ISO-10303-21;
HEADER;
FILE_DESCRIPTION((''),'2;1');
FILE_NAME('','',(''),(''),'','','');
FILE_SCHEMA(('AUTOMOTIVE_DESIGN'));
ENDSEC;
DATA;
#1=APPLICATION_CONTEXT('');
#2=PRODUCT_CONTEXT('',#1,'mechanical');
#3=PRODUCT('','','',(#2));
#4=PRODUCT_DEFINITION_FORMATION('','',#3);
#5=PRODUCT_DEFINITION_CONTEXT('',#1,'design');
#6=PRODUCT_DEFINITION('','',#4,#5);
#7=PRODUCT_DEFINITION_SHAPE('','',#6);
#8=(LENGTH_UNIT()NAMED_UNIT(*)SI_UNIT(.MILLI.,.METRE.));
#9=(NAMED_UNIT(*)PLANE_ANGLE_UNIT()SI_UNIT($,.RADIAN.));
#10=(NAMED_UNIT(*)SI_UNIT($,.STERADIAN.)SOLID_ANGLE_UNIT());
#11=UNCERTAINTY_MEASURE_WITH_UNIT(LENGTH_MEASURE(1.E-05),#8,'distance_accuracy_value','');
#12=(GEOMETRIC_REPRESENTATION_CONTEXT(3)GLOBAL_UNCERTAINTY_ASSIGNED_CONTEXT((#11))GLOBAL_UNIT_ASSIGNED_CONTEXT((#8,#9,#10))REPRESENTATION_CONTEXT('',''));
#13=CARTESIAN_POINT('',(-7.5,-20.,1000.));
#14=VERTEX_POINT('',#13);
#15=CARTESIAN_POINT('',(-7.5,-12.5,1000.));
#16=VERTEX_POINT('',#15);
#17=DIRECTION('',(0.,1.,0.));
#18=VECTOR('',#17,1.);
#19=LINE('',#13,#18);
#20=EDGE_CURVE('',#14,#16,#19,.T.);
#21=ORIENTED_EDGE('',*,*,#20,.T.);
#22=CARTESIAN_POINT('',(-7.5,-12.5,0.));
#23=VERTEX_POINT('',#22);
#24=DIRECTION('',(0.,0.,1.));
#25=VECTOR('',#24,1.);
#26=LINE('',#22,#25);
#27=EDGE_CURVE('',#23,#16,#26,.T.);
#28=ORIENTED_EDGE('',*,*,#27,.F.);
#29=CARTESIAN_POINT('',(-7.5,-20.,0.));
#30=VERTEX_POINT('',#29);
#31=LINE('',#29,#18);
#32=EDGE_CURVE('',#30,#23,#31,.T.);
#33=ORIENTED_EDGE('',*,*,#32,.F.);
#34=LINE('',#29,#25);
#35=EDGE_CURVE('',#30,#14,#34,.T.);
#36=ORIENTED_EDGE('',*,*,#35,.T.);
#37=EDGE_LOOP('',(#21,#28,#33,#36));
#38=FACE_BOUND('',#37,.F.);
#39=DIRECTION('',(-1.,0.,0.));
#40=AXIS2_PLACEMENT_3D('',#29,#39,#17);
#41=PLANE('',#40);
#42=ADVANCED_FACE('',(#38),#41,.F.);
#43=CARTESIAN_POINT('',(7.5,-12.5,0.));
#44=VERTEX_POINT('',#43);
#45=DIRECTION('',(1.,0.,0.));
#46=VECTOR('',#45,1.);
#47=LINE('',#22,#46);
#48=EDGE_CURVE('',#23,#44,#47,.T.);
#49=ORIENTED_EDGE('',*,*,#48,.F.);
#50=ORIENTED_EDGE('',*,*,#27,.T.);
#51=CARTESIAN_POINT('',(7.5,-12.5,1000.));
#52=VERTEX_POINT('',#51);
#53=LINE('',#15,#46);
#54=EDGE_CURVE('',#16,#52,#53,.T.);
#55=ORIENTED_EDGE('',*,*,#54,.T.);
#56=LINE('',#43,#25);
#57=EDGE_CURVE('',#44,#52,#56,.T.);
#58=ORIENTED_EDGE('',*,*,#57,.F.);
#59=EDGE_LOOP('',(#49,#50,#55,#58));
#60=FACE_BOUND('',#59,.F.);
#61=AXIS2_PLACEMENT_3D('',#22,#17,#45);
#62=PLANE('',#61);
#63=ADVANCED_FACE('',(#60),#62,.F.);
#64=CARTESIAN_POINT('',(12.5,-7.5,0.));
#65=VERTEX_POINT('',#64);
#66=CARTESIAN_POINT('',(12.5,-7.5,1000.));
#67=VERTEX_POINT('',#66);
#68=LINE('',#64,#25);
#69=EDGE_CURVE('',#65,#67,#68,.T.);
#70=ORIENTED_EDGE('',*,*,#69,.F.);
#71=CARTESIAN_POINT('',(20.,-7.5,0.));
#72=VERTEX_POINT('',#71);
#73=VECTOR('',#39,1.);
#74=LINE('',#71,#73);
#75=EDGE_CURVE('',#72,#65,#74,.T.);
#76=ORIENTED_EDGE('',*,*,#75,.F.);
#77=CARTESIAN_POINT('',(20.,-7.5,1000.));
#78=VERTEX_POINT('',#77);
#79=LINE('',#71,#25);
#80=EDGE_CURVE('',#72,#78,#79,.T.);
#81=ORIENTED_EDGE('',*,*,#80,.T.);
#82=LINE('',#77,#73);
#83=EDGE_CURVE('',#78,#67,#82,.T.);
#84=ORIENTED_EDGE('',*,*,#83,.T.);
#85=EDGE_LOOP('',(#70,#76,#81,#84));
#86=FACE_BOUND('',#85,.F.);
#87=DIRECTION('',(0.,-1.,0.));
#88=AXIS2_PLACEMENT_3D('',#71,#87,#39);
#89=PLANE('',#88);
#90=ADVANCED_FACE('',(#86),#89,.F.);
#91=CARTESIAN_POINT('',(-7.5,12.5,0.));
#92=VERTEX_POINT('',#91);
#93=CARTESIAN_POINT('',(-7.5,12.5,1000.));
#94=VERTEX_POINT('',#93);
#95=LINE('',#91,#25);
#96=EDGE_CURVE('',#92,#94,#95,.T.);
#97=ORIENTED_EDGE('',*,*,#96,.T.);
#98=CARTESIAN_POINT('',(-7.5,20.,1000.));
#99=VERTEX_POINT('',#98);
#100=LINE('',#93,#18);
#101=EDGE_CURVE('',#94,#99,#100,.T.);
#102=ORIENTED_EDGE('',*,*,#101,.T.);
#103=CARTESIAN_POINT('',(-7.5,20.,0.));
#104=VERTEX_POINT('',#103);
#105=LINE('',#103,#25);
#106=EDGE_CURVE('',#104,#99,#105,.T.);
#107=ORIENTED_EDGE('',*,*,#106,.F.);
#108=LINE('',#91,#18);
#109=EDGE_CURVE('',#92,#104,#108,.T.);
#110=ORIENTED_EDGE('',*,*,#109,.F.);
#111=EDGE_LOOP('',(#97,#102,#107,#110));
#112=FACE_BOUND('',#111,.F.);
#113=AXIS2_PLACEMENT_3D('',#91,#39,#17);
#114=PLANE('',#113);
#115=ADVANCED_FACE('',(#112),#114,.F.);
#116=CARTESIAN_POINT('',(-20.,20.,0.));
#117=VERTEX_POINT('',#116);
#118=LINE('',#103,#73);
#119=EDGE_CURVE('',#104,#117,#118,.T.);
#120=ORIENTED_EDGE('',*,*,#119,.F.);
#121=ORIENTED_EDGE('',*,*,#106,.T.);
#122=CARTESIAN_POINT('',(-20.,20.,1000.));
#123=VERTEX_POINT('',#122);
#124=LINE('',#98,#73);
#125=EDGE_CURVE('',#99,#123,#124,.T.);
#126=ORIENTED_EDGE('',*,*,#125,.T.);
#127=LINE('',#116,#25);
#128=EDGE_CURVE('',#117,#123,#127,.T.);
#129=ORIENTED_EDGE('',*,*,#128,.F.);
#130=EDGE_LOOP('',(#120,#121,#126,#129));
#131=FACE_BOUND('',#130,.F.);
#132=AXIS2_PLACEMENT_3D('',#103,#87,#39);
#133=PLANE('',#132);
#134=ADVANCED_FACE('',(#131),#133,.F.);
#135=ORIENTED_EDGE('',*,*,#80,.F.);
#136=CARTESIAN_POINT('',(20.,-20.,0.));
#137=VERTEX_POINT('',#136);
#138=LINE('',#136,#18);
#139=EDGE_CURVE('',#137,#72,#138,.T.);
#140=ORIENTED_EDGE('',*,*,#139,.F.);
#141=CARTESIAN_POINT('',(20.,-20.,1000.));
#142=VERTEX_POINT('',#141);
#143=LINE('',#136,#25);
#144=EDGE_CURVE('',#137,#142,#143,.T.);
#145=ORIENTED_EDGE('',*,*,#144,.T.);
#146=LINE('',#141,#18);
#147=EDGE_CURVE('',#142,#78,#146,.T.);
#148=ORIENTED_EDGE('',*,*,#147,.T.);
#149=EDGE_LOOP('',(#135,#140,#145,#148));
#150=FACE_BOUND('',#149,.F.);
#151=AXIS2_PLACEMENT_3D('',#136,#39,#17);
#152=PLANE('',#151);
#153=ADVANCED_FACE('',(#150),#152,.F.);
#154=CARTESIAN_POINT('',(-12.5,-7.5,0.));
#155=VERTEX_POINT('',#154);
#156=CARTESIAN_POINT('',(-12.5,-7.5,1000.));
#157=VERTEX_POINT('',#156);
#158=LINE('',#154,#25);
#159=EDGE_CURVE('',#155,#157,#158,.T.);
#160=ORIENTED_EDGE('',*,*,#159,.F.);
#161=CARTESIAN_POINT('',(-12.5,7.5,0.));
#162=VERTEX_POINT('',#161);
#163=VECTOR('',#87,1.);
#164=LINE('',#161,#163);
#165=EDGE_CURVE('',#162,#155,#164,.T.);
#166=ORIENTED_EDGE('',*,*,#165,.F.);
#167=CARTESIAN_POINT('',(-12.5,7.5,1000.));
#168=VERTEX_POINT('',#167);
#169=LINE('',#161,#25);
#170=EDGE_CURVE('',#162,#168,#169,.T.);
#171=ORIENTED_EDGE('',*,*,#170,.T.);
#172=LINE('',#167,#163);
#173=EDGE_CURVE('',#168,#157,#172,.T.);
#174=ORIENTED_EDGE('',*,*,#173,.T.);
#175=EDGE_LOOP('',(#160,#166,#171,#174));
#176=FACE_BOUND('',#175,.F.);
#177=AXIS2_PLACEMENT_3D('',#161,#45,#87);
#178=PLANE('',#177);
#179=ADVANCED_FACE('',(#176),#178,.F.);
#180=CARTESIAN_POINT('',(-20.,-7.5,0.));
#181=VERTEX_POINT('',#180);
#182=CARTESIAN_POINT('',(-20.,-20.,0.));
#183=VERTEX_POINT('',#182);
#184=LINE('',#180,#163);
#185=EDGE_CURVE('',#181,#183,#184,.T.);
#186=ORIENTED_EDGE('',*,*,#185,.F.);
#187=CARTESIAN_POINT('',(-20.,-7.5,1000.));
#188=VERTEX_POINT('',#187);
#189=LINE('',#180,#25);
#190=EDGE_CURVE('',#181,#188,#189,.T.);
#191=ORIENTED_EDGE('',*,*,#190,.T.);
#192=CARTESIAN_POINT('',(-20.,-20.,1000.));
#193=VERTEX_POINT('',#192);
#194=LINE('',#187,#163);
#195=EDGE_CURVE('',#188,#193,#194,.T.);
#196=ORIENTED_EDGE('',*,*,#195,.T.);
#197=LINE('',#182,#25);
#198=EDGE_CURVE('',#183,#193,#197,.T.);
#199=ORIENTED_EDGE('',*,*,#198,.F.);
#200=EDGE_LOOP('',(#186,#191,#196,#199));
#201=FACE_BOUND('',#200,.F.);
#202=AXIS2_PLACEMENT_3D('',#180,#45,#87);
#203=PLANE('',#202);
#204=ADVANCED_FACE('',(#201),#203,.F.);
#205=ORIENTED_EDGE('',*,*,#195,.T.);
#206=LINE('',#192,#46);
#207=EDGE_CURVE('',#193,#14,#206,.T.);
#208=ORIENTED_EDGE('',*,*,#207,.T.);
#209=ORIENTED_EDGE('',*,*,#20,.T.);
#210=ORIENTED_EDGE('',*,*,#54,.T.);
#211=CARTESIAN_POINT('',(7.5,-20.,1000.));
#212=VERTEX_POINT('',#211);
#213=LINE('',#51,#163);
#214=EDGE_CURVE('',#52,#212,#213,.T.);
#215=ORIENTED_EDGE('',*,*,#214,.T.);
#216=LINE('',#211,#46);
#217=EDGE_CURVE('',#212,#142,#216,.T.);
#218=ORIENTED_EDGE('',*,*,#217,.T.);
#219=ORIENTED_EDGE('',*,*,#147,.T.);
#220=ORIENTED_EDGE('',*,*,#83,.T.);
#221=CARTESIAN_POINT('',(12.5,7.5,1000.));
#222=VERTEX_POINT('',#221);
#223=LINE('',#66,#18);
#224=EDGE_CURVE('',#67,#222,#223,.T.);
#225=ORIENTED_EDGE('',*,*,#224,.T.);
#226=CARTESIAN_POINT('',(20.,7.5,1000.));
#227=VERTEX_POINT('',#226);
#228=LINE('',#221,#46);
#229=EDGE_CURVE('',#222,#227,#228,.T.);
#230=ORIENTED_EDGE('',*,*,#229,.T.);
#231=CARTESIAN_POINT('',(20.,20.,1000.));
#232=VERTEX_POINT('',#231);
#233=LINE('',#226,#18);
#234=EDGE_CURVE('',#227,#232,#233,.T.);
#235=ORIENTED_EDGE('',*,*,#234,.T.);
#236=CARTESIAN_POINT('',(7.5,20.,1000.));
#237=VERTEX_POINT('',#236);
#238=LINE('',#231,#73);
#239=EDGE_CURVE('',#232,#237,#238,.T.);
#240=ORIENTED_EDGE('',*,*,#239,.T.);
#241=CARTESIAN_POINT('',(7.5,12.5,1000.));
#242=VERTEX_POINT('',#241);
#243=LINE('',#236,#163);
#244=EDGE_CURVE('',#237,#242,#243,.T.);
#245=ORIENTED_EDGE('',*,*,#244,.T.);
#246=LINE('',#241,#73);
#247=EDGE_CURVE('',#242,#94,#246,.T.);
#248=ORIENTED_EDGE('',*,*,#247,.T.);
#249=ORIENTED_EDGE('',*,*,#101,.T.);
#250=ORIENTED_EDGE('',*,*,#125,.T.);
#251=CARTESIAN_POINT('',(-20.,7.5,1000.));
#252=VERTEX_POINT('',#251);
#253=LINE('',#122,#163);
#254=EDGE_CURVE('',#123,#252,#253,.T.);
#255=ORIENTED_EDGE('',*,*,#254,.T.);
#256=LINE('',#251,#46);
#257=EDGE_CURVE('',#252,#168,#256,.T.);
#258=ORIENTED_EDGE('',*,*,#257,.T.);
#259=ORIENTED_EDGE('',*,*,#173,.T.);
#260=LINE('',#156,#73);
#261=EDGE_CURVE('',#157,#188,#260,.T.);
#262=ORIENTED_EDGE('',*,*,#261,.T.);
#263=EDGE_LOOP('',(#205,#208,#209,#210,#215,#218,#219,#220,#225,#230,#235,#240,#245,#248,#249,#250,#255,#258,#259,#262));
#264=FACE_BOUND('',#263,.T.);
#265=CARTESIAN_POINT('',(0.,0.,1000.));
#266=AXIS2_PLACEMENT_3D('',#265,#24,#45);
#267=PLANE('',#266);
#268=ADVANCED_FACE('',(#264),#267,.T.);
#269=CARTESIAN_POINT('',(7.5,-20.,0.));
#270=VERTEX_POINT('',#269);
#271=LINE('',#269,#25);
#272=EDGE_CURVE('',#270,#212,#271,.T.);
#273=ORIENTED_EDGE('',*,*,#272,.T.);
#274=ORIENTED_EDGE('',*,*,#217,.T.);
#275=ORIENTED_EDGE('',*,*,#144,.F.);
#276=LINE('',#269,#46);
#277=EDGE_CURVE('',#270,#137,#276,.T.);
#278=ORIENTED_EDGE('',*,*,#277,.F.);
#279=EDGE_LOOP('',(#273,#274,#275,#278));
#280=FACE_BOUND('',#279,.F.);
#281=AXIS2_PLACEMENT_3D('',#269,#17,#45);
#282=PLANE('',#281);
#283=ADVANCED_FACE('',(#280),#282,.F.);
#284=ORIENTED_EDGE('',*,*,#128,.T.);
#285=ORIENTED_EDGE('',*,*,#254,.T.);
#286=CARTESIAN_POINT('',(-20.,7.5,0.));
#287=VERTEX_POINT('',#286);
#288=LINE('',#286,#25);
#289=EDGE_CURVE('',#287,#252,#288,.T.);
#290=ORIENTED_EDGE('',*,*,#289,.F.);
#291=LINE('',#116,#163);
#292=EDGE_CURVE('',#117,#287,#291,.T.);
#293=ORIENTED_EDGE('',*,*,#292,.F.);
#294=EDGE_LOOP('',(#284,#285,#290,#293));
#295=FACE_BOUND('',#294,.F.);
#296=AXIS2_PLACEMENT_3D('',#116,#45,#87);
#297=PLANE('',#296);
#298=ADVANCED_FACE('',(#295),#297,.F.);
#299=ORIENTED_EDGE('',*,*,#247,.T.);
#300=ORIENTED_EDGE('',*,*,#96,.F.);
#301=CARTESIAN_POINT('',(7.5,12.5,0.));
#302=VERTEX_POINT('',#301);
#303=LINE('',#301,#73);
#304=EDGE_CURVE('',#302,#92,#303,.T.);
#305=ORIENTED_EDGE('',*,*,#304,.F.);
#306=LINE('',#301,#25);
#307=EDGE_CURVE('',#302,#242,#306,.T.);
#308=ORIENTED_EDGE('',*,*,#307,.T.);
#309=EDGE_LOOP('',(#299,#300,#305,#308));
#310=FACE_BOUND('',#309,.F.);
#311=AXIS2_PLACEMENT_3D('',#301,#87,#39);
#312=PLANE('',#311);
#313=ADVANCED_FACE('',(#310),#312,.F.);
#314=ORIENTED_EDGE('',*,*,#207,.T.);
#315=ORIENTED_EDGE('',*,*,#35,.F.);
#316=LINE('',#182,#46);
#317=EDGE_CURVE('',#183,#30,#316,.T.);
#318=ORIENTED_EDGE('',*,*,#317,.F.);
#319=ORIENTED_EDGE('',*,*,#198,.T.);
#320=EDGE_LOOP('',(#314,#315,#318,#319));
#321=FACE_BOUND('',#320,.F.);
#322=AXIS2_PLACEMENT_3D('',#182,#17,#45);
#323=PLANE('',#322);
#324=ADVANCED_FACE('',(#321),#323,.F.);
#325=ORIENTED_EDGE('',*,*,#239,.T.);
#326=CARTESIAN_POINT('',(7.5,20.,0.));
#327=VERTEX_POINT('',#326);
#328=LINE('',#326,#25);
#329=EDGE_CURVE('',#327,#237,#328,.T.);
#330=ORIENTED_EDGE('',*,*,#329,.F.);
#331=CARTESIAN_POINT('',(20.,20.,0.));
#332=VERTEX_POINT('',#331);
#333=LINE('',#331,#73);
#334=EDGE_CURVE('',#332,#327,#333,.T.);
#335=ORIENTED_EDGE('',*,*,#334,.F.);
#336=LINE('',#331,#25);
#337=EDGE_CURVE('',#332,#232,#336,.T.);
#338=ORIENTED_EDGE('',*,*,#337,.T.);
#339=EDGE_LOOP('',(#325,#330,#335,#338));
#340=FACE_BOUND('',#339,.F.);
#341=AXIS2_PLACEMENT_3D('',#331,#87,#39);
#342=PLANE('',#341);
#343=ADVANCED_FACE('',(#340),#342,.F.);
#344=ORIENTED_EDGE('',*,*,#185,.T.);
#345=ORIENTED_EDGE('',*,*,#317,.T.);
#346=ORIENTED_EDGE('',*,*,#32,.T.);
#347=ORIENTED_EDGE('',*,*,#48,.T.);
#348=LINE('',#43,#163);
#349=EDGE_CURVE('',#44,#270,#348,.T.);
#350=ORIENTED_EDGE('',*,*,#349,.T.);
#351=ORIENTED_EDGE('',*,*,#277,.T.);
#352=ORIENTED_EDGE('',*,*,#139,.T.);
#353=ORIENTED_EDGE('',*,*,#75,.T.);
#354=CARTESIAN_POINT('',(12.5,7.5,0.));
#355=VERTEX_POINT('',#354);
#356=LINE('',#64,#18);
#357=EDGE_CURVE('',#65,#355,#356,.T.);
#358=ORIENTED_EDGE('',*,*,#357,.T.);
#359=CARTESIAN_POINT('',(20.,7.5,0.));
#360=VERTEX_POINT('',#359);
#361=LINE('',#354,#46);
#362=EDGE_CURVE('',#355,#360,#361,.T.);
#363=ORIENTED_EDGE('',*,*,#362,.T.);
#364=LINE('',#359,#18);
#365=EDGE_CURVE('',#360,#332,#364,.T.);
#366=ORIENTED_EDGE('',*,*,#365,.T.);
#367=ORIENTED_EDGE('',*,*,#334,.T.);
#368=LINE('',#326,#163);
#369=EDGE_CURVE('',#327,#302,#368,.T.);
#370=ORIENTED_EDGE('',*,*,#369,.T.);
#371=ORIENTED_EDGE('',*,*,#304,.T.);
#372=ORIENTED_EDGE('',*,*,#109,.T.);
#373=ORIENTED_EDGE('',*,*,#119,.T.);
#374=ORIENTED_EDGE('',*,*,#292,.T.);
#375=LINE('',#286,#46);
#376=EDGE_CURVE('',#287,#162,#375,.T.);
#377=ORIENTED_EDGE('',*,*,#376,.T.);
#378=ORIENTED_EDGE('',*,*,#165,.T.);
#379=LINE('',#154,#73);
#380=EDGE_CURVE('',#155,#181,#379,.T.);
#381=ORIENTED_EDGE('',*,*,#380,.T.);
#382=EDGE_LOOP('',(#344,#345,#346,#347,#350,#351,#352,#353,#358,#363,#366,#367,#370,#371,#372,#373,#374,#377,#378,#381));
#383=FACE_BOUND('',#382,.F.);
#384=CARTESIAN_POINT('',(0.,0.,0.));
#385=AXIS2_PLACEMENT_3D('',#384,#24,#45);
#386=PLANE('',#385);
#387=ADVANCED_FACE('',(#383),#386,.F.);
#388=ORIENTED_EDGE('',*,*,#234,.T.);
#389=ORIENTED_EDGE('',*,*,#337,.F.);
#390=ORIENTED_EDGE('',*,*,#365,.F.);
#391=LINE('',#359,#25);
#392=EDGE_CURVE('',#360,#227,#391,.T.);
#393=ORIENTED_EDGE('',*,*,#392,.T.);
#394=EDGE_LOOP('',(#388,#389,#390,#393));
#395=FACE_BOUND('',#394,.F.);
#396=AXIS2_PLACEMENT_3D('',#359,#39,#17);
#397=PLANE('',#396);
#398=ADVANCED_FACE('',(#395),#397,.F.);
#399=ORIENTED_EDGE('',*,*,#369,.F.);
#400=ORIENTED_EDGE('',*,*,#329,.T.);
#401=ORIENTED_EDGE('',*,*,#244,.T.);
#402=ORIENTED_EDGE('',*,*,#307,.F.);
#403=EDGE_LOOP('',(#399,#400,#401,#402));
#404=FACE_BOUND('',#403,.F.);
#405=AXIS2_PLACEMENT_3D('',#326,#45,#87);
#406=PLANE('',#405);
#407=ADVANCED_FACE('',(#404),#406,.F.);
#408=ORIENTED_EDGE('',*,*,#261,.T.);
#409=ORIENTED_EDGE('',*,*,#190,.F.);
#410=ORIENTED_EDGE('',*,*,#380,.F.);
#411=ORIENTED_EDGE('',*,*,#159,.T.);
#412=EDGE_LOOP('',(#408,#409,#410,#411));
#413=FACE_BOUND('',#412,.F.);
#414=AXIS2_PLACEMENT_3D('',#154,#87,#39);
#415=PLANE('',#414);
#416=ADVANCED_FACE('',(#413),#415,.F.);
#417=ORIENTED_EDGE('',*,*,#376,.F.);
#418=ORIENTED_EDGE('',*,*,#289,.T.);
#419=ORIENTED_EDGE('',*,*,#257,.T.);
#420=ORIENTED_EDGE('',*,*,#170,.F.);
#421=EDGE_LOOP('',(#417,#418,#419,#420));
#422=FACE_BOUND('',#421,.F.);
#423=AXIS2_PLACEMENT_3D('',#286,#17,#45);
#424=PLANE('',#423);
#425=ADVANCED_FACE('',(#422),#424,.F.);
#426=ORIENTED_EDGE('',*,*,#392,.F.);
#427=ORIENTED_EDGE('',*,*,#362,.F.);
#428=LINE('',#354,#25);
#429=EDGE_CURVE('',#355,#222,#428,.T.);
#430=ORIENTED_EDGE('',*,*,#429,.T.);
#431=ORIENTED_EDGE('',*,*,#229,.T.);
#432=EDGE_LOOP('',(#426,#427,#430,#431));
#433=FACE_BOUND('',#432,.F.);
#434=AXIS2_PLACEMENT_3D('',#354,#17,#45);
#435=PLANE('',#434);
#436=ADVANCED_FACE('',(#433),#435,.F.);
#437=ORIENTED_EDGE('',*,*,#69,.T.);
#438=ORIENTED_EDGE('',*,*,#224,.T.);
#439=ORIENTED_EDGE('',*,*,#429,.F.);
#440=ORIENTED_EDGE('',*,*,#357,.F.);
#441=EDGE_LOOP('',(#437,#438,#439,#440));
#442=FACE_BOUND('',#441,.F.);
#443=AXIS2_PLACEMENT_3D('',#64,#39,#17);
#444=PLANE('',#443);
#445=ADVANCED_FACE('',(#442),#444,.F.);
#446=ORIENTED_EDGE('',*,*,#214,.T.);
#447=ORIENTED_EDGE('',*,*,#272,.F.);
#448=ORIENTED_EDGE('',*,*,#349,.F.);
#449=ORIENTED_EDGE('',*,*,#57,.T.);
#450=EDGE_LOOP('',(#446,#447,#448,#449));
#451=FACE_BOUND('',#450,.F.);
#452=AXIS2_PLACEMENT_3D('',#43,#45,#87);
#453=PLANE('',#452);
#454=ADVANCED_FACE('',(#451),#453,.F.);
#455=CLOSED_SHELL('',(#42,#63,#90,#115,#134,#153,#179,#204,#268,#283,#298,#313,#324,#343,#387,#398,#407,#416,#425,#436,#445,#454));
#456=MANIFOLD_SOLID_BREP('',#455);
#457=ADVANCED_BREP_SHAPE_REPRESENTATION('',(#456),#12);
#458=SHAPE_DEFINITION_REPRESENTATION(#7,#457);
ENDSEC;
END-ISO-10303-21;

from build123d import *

# Parameters (mm, degrees)
F1_DEPTH = 1000


with BuildPart() as f1:
    # F0 (on Top) → F1 (new body)
    with BuildSketch(Plane.XY):
        Polygon((20, 7.5), (20, 20), (7.5, 20), (7.5, 12.5), (-7.5, 12.5), (-7.5, 20), (-20, 20), (-20, 7.5), (-12.5, 7.5), (-12.5, -7.5), (-20, -7.5), (-20, -20), (-7.5, -20), (-7.5, -12.5), (7.5, -12.5), (7.5, -20), (20, -20), (20, -7.5), (12.5, -7.5), (12.5, 7.5), align=None)
    extrude(amount=F1_DEPTH)


solid = f1.part
